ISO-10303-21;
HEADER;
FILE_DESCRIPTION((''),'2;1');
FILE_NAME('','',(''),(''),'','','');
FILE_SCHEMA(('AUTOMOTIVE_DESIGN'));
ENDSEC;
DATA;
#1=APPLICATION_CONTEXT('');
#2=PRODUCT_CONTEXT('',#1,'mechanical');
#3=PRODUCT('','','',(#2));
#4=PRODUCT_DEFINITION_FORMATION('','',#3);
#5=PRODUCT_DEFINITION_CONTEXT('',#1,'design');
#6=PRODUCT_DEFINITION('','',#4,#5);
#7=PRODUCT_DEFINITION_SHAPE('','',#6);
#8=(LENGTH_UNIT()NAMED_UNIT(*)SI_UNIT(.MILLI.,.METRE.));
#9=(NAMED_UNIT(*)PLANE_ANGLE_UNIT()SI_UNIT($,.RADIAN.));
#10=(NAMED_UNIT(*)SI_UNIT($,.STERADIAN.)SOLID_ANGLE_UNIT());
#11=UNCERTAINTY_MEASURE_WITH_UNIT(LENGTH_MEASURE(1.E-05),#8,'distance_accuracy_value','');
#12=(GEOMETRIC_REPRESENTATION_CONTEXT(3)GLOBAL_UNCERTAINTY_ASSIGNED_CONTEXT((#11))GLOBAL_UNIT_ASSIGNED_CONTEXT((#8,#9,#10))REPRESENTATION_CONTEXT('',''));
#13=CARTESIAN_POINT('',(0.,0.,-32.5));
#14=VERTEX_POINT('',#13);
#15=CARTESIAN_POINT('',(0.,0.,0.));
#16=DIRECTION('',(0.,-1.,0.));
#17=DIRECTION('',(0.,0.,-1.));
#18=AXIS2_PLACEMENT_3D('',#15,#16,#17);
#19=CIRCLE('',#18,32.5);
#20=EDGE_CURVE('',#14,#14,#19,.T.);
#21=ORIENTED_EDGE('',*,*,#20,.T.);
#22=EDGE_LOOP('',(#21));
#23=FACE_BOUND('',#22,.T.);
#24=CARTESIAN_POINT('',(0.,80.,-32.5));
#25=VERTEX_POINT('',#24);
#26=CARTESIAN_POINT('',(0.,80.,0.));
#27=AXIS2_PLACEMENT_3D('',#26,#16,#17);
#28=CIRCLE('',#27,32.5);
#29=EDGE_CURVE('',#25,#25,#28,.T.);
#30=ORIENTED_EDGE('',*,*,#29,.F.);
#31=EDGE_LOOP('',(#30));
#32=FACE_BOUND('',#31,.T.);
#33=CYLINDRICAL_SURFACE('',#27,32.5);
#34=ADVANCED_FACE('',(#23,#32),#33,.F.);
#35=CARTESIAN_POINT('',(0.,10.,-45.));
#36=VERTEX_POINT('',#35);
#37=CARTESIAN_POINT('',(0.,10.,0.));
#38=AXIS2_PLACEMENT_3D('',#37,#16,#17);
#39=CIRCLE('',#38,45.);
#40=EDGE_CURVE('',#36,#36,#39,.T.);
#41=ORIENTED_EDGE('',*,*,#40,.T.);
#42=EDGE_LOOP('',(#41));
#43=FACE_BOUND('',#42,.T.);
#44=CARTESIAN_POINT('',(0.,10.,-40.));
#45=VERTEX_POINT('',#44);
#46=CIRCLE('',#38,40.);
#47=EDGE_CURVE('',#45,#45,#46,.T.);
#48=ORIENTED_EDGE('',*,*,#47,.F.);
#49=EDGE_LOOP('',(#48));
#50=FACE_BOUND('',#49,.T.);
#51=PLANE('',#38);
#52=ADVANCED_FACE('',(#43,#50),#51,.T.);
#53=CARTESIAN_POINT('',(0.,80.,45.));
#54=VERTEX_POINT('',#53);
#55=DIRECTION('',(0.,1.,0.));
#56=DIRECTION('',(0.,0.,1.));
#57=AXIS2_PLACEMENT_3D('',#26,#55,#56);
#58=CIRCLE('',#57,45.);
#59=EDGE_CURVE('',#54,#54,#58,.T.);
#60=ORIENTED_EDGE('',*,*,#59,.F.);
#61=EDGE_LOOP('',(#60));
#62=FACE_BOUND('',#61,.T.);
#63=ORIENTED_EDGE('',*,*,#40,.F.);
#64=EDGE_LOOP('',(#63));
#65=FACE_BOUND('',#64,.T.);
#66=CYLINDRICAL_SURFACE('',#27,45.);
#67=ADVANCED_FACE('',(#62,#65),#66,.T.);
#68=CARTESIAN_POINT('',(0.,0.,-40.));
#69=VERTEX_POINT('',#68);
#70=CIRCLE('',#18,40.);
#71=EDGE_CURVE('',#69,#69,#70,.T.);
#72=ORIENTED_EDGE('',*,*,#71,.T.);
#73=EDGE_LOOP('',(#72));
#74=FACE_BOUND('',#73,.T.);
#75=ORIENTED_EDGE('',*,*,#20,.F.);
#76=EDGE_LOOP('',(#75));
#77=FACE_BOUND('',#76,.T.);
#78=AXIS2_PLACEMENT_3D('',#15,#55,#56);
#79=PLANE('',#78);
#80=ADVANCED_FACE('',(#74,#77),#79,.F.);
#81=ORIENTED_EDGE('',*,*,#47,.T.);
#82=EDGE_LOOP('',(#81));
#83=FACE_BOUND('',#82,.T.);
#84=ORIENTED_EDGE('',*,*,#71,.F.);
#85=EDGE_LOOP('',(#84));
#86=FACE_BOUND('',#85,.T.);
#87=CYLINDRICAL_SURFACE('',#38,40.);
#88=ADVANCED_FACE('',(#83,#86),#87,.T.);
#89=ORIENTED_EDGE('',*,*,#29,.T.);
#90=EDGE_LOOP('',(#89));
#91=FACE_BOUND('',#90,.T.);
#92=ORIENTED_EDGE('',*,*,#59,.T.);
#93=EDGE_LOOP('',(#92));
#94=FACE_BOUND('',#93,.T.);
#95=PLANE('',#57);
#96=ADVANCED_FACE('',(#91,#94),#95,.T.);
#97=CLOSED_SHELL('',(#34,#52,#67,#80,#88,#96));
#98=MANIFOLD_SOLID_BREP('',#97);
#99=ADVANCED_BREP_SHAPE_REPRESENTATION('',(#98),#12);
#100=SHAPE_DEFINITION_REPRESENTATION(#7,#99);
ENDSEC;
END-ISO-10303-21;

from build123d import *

# Parameters (mm, degrees)
SKETCH1_R           = 45
BOSS_EXTRUDE1_DEPTH = 80
SKETCH2_R           = 45
SKETCH2_R_2         = 40
CUT_EXTRUDE3_DEPTH  = 10
SKETCH3_R           = 32.5
CUT_EXTRUDE4_DEPTH  = 103.225241501


with BuildPart() as part:
    # Sketch1 → Boss-Extrude1 (new body)
    with BuildSketch(Plane(origin=(0, 0, 0), x_dir=(1, 0, 0), z_dir=(0, 1, 0))):
        with Locations(Location((0, 0, 0), (0, 0, 270))):
            Circle(SKETCH1_R)
    extrude(amount=BOSS_EXTRUDE1_DEPTH)

    # Sketch2 → Cut-Extrude3 (cut)
    with BuildSketch(Plane.XZ):
        with Locations(Location((0, 0, 0), (0, 0, 270))):
            Circle(SKETCH2_R)
        with Locations(Location((0, 0, 0), (0, 0, 270))):
            Circle(SKETCH2_R_2, mode=Mode.SUBTRACT)
    extrude(amount=-CUT_EXTRUDE3_DEPTH, mode=Mode.SUBTRACT)

    # Sketch3 → Cut-Extrude4 (cut, through all)
    with BuildSketch(Plane.XZ):
        with Locations(Location((0, 0, 0), (0, 0, 270))):
            Circle(SKETCH3_R)
    extrude(amount=-CUT_EXTRUDE4_DEPTH, mode=Mode.SUBTRACT)


solid = part.part
